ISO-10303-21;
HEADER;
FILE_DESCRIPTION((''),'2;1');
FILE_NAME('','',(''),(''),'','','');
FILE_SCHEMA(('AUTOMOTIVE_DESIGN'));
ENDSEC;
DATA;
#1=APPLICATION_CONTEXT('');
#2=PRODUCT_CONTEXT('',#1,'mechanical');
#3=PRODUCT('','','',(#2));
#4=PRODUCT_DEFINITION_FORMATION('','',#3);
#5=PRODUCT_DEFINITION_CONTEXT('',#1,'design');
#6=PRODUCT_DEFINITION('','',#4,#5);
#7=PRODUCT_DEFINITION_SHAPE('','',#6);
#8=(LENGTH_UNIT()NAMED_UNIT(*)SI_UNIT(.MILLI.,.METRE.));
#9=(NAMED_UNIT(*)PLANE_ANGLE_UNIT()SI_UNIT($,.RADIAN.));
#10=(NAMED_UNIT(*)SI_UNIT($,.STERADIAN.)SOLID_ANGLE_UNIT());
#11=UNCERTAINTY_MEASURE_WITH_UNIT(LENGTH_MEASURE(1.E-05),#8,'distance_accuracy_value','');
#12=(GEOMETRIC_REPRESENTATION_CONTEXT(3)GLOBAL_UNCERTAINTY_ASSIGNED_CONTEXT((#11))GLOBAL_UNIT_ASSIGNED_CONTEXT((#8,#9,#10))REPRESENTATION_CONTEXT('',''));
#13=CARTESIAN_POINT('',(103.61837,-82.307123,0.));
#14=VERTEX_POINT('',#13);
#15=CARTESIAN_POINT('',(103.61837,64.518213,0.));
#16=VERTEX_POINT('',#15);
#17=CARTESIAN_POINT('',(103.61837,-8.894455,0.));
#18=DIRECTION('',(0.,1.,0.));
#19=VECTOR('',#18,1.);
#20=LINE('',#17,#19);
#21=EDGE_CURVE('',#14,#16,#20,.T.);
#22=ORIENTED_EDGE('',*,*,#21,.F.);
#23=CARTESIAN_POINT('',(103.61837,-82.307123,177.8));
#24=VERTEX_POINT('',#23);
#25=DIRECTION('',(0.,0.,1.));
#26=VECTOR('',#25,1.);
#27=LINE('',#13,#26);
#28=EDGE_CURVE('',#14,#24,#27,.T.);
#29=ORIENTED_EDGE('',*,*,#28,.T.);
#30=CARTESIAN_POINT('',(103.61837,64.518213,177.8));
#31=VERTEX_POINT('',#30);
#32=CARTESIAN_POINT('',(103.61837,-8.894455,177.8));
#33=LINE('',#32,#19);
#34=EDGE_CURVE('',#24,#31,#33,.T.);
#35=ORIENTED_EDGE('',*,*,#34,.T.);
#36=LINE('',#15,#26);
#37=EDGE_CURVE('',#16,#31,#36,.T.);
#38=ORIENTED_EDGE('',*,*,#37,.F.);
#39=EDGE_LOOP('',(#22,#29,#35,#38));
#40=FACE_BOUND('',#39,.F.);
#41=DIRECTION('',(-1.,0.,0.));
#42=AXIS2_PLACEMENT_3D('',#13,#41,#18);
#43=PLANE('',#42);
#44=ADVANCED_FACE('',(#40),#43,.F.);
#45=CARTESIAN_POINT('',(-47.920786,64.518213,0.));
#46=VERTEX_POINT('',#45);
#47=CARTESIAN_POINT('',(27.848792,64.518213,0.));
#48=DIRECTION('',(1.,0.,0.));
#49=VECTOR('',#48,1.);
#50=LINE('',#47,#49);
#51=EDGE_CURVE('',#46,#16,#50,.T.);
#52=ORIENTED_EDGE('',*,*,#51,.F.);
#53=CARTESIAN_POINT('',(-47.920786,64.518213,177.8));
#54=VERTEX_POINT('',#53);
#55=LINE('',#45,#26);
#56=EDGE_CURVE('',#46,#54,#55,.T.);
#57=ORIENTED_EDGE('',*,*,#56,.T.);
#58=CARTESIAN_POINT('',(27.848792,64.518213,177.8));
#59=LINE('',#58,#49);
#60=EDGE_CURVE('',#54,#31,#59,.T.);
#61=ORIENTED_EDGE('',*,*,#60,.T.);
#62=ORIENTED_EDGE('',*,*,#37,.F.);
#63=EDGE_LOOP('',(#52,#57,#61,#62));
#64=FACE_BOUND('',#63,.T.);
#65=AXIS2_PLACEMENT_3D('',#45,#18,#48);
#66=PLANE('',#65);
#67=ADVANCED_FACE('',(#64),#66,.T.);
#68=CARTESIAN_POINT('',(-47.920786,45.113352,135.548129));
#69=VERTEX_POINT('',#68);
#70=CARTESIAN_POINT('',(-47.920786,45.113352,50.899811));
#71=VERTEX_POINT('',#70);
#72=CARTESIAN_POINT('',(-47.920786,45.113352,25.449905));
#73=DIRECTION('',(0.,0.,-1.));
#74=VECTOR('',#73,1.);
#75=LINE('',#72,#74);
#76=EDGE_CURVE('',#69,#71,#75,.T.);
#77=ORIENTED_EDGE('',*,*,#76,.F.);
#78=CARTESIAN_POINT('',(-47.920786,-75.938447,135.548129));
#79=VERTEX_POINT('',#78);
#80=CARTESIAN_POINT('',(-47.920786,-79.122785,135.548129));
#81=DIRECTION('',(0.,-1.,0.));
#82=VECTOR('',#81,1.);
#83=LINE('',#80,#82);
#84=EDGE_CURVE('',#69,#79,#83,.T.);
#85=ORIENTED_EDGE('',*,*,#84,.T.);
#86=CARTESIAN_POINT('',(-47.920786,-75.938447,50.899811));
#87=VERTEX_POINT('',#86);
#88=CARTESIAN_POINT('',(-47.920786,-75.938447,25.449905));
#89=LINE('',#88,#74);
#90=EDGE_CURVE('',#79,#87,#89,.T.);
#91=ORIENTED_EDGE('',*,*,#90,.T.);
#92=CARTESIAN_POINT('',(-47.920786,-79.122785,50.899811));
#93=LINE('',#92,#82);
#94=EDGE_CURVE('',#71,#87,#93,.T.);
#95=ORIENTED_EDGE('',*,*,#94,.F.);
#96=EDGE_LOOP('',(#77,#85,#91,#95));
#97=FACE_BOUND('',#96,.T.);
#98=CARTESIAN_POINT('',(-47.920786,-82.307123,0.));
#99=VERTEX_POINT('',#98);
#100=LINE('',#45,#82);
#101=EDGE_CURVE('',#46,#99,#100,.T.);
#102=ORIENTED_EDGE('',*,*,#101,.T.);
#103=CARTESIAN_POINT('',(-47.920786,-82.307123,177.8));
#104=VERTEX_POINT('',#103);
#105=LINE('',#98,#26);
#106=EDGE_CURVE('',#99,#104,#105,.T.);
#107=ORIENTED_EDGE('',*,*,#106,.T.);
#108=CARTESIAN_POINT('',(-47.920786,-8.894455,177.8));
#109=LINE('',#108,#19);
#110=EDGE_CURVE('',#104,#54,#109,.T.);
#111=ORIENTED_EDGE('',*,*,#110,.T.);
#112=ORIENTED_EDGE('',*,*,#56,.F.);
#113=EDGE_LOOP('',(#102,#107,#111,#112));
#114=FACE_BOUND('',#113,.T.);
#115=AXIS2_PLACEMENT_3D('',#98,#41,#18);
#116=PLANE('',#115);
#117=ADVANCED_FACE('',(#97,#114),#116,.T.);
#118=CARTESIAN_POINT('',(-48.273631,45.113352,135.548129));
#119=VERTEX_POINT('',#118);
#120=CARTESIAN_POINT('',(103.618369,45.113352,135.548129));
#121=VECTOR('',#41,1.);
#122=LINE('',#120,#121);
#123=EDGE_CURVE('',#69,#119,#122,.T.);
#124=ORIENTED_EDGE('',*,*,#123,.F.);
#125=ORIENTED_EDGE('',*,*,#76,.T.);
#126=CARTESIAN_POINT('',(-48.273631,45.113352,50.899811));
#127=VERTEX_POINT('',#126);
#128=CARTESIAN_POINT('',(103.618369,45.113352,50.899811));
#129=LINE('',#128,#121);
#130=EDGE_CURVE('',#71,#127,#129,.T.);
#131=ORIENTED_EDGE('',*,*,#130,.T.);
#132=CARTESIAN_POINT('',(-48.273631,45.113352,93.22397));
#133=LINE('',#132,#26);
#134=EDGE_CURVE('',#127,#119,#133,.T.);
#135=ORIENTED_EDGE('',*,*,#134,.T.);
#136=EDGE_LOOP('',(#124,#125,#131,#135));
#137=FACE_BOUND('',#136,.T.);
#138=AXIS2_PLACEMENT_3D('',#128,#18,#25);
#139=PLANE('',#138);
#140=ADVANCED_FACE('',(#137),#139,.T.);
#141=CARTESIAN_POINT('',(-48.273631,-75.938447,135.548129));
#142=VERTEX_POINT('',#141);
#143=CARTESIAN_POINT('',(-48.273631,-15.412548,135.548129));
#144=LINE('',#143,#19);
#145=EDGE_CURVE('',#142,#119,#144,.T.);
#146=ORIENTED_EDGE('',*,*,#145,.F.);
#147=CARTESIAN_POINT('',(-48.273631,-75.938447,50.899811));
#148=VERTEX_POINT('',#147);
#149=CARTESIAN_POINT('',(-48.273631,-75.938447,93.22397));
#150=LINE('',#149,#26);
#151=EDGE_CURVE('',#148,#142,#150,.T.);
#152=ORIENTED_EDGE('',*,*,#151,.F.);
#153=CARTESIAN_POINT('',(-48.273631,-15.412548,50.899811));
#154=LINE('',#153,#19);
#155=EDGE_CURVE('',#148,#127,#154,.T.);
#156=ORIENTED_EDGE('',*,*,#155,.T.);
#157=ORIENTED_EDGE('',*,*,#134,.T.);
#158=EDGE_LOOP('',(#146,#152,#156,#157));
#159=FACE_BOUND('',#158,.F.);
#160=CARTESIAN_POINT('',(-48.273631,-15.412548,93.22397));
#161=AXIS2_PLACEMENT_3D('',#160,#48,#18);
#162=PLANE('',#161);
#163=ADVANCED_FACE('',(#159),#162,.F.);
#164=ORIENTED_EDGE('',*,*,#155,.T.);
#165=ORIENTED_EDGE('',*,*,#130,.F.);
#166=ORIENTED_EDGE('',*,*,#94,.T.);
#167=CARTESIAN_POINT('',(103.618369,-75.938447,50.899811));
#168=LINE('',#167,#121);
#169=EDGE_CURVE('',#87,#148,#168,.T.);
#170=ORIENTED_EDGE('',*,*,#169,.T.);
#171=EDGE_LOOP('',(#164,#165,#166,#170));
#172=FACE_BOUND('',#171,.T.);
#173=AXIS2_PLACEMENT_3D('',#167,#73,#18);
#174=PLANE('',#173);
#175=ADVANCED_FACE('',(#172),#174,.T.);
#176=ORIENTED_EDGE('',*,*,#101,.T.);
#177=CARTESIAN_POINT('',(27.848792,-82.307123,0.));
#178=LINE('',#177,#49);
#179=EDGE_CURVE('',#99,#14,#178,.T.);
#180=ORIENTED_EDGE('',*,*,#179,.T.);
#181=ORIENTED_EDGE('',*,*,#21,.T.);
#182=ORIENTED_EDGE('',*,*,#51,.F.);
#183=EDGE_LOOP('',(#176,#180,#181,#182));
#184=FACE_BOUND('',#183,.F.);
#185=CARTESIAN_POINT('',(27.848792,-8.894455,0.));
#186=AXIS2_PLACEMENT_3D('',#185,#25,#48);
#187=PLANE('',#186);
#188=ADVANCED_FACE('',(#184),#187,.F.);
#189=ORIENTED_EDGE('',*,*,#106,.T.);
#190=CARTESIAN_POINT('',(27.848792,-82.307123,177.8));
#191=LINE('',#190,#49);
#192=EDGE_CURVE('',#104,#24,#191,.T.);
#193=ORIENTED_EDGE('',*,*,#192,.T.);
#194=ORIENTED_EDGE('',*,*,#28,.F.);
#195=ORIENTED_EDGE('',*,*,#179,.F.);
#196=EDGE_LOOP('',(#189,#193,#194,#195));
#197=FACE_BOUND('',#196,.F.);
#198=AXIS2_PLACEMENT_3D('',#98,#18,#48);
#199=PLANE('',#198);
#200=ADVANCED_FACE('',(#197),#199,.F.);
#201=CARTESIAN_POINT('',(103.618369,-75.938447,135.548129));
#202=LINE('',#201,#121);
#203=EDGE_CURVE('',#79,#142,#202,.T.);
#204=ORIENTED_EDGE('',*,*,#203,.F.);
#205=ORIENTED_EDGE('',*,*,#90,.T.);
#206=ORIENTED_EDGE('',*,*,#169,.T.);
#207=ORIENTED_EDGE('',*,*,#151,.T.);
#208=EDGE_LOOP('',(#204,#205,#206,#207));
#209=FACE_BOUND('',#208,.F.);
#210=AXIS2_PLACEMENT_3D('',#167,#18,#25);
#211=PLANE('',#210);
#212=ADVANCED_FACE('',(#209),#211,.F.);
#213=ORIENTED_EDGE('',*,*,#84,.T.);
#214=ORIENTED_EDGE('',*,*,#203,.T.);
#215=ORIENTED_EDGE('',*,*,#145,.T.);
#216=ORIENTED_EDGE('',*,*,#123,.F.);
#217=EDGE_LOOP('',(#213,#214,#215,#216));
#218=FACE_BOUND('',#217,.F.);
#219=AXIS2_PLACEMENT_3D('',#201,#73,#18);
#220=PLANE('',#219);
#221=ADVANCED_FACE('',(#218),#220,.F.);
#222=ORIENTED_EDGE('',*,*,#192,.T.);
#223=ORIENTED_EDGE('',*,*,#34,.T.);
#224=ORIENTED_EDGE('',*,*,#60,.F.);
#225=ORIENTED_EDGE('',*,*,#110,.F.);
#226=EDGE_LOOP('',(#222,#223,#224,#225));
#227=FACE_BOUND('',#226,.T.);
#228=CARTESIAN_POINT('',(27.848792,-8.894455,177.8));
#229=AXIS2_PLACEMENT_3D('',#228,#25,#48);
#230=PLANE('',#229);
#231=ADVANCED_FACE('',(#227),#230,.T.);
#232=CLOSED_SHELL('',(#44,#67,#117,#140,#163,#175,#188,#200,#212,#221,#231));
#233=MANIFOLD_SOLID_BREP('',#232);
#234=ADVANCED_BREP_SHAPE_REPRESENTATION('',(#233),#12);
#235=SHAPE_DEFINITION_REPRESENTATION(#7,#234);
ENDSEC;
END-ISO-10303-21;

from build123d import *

# Parameters (mm, degrees)
F0_W     = 151.539155
F0_H     = 146.825336
F1_DEPTH = 177.8
F3_DEPTH = 38.1
F4_W     = 100.581736
F4_H     = 129.213843
F5_DEPTH = 25.4
F6_W     = 121.051799
F6_H     = 84.648319
F7_DEPTH = 151.892


with BuildPart() as f1:
    # F0 (on Top) → F1 (new body)
    with BuildSketch(Plane.XY):
        with Locations((27.848792, -8.894455)):
            Rectangle(F0_W, F0_H)
    extrude(amount=F1_DEPTH)

    # F2 (on face) → F3 (join)
    with BuildSketch(Plane(origin=(-47.920786, 0, 0), x_dir=(0, -1, 0), z_dir=(-1, 0, 0))):
        Polygon((31.900443, 103.963971), (-31.454742, 103.963971), (-29.357936, 0), (31.900443, 0), align=None)
    extrude(amount=-F3_DEPTH)

    # F4 (on face) → F5 (join)
    with BuildSketch(Plane.YZ.offset(103.618369)):
        with Locations((-5.59498, 90.621782)):
            Rectangle(F4_W, F4_H)
    extrude(amount=-F5_DEPTH)

    # F6 (on face) → F7 (join)
    with BuildSketch(Plane.YZ.offset(103.618369)):
        with Locations((-15.412548, 93.22397)):
            Rectangle(F6_W, F6_H)
    extrude(amount=-F7_DEPTH)


solid = f1.part
